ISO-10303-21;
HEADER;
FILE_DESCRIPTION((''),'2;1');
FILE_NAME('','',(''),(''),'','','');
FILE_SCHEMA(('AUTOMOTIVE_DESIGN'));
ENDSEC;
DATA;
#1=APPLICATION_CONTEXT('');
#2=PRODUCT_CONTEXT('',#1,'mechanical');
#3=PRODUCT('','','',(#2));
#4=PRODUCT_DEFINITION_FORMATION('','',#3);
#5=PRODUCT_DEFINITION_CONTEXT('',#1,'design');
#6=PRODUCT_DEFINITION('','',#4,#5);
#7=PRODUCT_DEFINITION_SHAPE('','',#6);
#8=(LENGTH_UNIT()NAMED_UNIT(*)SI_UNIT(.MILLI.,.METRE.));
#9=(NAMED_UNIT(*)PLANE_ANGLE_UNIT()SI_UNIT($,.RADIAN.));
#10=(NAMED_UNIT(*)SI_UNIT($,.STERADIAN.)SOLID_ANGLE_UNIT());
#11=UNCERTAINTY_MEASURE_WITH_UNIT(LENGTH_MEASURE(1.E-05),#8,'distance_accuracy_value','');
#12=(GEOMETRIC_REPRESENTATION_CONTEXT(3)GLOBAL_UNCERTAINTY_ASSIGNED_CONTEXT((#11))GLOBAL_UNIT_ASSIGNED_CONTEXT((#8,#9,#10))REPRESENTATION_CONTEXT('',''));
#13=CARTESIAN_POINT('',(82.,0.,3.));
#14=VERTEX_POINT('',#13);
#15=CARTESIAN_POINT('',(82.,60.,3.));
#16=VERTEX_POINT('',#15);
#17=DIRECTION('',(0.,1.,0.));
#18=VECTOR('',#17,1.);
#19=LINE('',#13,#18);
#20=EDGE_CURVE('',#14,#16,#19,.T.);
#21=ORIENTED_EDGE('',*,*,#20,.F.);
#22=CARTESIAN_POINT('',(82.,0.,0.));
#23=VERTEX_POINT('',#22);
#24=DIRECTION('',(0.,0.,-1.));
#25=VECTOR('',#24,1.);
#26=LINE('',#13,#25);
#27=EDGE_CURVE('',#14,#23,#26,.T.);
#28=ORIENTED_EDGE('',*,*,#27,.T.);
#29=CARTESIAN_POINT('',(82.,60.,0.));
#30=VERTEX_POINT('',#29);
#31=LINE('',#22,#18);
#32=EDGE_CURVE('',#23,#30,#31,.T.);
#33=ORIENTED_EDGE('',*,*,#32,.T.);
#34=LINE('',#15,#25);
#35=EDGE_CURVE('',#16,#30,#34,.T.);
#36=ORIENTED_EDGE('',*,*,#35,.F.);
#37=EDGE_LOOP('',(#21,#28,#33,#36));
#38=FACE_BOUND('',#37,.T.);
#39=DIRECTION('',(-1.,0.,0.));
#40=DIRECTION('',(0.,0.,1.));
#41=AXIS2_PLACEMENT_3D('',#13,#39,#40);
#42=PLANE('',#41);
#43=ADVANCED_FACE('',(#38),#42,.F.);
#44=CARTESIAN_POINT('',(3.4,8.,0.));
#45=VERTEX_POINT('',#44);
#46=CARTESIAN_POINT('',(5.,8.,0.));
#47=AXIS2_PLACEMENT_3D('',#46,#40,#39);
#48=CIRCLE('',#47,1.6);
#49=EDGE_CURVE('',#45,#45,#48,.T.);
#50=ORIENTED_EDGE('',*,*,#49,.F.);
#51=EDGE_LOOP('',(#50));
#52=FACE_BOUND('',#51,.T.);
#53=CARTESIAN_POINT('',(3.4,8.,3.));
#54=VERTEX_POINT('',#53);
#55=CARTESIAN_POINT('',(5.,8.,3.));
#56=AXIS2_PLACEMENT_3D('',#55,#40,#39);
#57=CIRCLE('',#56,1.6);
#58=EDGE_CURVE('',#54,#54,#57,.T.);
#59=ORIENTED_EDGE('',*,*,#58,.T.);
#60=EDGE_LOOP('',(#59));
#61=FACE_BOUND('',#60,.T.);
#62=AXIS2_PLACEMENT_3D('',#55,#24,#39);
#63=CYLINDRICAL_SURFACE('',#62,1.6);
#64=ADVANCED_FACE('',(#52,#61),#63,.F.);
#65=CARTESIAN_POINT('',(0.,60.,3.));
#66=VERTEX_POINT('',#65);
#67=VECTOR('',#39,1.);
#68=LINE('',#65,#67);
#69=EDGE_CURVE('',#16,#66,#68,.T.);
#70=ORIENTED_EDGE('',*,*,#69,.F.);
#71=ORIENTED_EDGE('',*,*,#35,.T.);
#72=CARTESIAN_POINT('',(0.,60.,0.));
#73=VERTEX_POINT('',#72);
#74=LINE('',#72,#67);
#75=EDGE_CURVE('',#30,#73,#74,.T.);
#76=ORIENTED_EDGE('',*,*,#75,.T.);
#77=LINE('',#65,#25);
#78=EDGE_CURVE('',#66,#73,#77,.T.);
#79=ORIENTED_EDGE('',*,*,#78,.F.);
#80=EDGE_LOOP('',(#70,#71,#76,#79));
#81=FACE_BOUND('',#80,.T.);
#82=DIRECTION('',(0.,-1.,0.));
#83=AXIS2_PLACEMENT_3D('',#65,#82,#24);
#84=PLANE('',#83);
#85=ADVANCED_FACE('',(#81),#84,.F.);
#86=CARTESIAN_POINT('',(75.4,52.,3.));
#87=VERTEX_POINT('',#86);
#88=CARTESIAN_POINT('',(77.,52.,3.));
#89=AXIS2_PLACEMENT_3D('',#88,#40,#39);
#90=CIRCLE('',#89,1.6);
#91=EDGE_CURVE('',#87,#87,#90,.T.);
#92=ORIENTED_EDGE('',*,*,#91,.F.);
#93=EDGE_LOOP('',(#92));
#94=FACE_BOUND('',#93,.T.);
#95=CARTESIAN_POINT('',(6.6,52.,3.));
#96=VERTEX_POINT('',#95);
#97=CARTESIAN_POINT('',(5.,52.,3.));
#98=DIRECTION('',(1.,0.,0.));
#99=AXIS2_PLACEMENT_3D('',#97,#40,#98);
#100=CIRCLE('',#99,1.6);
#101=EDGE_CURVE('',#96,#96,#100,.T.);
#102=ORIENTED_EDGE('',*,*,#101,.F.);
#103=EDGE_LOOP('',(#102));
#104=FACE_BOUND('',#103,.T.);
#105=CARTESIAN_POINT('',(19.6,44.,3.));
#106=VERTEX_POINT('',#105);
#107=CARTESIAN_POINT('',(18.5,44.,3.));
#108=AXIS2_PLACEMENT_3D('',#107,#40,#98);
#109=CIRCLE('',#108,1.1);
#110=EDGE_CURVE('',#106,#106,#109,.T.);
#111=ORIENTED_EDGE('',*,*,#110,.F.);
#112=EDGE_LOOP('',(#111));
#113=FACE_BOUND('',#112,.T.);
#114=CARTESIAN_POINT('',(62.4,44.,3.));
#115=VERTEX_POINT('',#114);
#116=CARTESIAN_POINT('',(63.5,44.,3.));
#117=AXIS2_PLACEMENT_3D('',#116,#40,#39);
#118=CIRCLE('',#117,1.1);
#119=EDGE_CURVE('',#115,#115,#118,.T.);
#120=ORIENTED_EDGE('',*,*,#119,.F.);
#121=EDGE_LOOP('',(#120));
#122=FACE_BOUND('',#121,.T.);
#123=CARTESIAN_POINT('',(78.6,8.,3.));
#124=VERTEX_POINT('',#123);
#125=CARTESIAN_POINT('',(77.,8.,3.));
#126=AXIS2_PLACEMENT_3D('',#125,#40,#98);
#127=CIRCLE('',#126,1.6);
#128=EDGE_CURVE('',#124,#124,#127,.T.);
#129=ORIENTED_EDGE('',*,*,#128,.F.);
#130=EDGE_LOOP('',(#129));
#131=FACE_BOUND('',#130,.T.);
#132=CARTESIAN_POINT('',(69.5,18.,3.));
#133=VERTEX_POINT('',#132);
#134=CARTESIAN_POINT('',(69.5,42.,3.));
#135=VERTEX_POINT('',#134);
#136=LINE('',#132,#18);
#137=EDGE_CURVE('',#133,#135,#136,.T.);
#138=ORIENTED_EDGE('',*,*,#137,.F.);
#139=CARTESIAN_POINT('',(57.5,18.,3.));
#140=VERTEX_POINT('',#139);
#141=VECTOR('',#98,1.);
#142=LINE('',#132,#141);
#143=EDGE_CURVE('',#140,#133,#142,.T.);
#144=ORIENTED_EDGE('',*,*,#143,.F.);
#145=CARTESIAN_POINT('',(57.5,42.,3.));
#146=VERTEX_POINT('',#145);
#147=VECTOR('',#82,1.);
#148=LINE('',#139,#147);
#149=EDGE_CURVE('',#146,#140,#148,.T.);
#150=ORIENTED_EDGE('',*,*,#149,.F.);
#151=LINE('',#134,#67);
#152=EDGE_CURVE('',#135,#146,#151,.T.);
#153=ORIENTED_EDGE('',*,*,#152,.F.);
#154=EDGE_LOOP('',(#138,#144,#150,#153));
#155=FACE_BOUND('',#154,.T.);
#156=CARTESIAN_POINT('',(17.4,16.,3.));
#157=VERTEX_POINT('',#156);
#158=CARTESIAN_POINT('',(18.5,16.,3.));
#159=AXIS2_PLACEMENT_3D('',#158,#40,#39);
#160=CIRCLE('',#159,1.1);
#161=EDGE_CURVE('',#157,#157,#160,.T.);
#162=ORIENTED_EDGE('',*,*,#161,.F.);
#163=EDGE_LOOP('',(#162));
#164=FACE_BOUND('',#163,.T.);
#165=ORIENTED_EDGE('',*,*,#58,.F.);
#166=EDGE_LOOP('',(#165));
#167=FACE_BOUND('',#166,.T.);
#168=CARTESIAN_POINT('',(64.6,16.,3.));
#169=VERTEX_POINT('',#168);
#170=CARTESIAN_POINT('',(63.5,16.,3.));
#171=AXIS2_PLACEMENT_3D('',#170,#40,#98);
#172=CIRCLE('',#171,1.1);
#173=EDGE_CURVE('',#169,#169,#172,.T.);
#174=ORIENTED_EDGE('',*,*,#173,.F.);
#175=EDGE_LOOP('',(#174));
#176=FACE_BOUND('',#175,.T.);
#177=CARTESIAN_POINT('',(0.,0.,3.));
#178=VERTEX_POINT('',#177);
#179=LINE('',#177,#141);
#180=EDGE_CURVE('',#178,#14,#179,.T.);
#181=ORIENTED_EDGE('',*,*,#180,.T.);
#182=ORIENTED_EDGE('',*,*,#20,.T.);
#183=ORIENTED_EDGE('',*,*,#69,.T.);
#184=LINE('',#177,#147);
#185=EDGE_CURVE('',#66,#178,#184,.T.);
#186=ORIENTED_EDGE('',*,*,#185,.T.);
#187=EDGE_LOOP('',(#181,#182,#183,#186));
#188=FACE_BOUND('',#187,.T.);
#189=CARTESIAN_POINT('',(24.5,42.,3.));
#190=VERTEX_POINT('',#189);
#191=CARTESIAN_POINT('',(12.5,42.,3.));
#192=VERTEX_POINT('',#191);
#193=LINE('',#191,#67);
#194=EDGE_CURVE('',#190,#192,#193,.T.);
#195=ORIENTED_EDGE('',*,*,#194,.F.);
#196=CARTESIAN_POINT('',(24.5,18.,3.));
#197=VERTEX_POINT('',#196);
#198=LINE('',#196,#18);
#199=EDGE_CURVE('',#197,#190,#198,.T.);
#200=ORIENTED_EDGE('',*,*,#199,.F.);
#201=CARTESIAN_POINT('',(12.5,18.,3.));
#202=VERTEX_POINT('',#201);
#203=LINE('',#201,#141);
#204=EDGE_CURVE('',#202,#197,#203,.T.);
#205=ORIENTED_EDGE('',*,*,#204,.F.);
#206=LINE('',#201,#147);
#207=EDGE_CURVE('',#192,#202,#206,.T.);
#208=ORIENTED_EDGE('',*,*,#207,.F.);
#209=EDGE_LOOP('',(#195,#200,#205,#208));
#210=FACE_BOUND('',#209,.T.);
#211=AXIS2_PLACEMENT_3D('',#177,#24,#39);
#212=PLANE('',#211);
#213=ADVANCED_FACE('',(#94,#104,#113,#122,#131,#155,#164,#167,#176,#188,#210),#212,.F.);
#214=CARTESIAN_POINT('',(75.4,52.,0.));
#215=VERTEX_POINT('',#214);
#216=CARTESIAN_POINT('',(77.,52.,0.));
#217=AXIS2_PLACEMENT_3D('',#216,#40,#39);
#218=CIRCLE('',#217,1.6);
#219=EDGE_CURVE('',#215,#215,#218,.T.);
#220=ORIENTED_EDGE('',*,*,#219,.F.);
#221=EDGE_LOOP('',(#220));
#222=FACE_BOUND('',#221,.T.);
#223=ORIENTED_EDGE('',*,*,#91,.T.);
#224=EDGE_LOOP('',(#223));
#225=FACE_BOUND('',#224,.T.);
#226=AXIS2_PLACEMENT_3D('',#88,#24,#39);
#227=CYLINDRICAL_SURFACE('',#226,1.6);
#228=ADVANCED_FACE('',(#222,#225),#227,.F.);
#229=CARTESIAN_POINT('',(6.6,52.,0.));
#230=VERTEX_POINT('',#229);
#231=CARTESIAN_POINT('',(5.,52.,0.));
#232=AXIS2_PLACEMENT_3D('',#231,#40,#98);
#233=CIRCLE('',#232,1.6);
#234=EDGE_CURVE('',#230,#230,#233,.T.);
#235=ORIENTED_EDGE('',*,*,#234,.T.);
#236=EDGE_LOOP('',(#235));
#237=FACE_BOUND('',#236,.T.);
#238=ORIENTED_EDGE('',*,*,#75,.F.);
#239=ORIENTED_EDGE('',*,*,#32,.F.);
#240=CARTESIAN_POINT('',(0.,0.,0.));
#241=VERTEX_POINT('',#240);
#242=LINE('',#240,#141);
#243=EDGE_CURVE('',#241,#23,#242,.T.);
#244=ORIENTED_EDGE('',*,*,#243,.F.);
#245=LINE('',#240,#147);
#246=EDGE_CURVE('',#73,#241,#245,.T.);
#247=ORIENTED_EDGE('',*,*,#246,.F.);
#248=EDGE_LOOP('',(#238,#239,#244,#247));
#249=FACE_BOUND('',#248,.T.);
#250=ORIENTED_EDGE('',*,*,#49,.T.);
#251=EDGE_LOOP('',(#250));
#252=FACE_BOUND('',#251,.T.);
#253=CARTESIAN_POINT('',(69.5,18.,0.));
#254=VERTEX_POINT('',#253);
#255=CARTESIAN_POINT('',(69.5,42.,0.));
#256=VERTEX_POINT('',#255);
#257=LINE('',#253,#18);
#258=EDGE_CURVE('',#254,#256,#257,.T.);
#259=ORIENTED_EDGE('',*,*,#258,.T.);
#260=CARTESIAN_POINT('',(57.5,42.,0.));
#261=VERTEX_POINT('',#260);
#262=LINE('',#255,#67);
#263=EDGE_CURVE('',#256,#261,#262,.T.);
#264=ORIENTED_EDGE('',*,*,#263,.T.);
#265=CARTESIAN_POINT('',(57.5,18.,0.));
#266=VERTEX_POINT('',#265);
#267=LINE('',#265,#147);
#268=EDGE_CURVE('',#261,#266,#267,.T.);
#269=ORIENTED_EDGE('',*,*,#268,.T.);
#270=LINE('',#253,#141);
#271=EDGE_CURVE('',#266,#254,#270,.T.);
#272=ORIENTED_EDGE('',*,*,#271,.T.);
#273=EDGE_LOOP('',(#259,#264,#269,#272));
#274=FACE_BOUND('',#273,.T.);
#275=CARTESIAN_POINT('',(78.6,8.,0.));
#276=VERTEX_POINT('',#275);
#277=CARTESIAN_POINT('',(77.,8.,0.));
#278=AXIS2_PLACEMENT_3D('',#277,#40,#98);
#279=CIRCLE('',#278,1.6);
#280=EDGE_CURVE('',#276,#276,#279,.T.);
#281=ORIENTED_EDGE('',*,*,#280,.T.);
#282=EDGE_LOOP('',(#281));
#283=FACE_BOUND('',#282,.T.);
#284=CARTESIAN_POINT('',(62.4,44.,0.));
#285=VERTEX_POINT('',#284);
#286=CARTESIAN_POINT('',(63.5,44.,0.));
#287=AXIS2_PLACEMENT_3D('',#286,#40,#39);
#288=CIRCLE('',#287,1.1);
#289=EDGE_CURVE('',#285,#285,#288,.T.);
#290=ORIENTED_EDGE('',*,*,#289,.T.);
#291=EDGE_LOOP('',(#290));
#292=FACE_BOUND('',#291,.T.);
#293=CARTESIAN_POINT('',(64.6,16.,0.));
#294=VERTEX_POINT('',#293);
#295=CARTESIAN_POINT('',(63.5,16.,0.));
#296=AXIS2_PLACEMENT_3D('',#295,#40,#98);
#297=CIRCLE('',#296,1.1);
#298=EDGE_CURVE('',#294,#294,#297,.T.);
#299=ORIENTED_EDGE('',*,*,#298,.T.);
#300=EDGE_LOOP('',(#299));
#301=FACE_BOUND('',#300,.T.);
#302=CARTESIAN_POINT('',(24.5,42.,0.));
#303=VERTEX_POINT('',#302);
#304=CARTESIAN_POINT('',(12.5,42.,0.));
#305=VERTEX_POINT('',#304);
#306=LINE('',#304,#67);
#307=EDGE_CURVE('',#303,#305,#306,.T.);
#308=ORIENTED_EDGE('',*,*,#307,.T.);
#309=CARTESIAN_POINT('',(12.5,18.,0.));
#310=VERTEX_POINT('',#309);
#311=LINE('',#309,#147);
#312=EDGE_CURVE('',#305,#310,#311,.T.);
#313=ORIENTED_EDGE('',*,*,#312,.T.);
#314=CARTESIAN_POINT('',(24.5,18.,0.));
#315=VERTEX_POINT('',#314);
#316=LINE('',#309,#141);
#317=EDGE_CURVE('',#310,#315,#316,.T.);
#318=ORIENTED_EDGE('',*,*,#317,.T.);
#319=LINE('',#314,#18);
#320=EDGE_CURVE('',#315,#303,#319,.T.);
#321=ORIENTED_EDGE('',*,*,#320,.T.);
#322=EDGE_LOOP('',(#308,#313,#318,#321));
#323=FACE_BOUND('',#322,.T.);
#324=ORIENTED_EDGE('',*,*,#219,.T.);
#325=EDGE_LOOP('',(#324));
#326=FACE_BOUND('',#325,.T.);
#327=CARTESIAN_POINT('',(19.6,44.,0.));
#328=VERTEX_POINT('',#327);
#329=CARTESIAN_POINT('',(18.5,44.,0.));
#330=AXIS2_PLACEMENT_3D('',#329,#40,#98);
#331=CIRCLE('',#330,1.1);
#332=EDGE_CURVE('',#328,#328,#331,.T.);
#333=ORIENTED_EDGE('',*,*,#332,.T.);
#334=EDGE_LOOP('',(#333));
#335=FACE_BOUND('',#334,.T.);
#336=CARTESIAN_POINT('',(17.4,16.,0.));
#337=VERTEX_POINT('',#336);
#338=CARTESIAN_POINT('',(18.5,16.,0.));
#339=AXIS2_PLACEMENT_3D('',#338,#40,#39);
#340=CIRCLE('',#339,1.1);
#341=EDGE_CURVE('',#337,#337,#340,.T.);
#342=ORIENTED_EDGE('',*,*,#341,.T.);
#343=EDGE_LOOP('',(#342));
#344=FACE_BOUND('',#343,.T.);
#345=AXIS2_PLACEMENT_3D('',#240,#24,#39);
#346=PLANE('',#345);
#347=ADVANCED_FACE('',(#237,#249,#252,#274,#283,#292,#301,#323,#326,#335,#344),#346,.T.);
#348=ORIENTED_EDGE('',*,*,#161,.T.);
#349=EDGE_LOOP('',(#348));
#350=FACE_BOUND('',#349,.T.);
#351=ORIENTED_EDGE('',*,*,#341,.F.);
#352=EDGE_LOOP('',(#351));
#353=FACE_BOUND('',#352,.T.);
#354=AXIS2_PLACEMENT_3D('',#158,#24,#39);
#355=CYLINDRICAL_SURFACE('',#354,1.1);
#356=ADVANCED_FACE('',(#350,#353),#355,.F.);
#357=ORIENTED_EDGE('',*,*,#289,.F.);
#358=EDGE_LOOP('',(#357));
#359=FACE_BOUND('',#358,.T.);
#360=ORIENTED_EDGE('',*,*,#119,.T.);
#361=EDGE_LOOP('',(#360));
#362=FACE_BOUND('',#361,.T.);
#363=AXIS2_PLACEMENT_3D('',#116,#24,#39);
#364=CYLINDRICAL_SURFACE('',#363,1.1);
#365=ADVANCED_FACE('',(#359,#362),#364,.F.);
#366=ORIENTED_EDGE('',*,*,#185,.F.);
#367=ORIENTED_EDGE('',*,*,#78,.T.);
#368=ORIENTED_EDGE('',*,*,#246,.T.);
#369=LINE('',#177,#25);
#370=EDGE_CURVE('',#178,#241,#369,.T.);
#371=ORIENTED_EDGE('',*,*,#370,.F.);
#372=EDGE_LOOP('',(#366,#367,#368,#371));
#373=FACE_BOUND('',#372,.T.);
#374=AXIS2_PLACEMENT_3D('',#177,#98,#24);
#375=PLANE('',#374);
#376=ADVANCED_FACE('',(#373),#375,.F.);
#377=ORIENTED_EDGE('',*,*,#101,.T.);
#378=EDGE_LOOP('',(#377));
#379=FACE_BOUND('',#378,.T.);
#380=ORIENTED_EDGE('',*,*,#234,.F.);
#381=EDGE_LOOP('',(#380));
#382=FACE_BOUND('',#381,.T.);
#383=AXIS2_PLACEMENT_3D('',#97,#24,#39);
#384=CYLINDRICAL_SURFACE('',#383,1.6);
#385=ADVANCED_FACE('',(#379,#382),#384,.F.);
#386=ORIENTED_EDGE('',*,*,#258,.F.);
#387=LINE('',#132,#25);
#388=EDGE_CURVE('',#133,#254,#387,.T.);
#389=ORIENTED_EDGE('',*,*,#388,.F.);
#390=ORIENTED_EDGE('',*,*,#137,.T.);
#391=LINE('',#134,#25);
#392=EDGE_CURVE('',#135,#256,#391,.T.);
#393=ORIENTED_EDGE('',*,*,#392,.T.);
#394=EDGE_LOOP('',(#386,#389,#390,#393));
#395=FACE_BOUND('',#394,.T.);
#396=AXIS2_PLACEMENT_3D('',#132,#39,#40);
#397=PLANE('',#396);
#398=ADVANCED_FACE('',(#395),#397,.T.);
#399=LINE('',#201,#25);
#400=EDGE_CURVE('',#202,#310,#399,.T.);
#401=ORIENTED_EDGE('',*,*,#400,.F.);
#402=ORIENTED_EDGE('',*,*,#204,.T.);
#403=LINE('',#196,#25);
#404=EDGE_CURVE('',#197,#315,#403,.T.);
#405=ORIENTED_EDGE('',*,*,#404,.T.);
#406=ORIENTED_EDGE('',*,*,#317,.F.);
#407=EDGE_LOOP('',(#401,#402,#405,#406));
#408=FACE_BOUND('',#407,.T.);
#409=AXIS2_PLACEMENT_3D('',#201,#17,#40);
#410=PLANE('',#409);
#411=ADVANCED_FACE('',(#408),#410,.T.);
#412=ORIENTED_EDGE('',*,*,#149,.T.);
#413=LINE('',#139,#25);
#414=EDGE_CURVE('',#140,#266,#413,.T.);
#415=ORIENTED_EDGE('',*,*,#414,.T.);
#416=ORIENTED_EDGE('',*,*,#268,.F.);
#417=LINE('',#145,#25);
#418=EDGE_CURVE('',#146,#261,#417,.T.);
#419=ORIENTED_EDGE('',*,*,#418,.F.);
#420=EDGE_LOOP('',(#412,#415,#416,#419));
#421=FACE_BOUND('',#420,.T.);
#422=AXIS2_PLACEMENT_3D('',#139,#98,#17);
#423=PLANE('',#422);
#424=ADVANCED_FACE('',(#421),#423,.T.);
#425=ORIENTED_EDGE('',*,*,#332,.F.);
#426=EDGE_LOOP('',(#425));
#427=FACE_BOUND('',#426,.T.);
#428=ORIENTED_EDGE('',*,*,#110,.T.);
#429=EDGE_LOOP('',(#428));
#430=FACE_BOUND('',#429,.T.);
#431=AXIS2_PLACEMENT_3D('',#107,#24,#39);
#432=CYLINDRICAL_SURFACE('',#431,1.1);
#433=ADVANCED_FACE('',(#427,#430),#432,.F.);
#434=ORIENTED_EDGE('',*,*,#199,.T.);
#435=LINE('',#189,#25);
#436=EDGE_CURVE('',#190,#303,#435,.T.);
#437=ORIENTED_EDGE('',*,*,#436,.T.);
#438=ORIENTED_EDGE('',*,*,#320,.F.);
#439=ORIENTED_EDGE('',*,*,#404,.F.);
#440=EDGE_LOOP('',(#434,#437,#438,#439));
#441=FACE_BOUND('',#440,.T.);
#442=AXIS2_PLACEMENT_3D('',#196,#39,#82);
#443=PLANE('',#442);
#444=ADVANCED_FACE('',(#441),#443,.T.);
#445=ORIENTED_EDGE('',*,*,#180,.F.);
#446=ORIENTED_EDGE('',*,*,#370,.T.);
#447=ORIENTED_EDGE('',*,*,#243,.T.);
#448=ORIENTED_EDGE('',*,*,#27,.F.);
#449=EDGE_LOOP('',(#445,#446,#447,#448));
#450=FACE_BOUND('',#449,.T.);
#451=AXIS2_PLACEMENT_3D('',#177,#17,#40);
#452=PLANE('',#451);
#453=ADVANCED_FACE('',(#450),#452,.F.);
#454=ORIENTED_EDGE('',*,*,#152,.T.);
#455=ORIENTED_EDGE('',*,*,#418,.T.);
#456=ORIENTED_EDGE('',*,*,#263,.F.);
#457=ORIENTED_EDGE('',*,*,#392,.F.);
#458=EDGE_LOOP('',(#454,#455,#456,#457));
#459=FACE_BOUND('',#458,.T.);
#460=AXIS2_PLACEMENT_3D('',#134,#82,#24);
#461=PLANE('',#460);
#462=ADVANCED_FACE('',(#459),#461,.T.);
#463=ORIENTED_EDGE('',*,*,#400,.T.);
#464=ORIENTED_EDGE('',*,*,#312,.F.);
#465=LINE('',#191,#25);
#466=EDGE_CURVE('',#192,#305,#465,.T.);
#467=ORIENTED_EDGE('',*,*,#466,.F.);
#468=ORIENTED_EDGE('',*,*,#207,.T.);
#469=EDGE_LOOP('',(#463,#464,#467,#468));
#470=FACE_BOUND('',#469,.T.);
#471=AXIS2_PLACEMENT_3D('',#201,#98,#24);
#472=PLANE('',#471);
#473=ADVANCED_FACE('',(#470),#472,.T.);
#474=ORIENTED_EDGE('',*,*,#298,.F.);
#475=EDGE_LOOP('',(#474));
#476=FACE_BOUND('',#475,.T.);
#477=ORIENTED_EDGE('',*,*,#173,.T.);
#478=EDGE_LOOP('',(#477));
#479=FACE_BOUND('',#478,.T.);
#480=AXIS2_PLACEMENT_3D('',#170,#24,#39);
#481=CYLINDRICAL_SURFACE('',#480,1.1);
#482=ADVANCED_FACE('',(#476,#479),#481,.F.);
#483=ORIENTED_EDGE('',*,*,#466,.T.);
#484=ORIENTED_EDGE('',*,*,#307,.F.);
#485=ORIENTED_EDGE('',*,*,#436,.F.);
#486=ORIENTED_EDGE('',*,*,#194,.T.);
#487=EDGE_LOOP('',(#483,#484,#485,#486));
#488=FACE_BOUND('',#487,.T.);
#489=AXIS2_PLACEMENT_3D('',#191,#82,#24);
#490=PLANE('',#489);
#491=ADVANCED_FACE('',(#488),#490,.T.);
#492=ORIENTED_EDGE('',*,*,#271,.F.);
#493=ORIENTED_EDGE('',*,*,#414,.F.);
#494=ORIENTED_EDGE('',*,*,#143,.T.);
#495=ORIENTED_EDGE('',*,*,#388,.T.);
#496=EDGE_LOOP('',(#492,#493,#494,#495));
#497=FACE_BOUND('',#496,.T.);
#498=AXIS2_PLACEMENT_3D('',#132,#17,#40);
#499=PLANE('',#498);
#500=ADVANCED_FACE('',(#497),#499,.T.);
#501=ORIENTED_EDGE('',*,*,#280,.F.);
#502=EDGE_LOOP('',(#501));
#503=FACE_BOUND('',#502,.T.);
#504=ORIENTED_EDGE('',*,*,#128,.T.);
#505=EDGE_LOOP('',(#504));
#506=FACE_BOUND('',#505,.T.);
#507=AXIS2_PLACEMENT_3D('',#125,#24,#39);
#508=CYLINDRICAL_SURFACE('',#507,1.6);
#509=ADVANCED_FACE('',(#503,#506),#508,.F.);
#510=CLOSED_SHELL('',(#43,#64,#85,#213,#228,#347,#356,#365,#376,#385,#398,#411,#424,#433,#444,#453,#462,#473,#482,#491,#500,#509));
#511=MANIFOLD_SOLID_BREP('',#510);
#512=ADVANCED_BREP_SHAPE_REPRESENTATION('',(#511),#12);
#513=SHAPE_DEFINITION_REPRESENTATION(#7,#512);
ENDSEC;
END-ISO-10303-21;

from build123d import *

# Parameters (mm, degrees)
SKETCH_1_W      = 82
SKETCH_1_H      = 60
SKETCH_1_R      = 1.1
SKETCH_1_R_2    = 1.6
SKETCH_1_W_2    = 12
SKETCH_1_H_2    = 24
EXTRUDE_1_DEPTH = 3


with BuildPart() as part:
    # 草图1 → 凸台-拉伸1 (new body)
    with BuildSketch(Plane.XY):
        with Locations((41, 30)):
            Rectangle(SKETCH_1_W, SKETCH_1_H)
        with Locations((18.5, 44)):
            Circle(SKETCH_1_R, mode=Mode.SUBTRACT)
        with Locations(Location((18.5, 16, 0), (0, 0, 180))):
            Circle(SKETCH_1_R, mode=Mode.SUBTRACT)
        with Locations((77, 8)):
            Circle(SKETCH_1_R_2, mode=Mode.SUBTRACT)
        with Locations(Location((5, 8, 0), (0, 0, 180))):
            Circle(SKETCH_1_R_2, mode=Mode.SUBTRACT)
        with Locations(Location((77, 52, 0), (0, 0, 180))):
            Circle(SKETCH_1_R_2, mode=Mode.SUBTRACT)
        with Locations((5, 52)):
            Circle(SKETCH_1_R_2, mode=Mode.SUBTRACT)
        with Locations((63.5, 16)):
            Circle(SKETCH_1_R, mode=Mode.SUBTRACT)
        with Locations(Location((63.5, 44, 0), (0, 0, 180))):
            Circle(SKETCH_1_R, mode=Mode.SUBTRACT)
        with Locations((63.5, 30)):
            Rectangle(SKETCH_1_W_2, SKETCH_1_H_2, mode=Mode.SUBTRACT)
        with Locations((18.5, 30)):
            Rectangle(SKETCH_1_W_2, SKETCH_1_H_2, mode=Mode.SUBTRACT)
    extrude(amount=EXTRUDE_1_DEPTH)


solid = part.part
